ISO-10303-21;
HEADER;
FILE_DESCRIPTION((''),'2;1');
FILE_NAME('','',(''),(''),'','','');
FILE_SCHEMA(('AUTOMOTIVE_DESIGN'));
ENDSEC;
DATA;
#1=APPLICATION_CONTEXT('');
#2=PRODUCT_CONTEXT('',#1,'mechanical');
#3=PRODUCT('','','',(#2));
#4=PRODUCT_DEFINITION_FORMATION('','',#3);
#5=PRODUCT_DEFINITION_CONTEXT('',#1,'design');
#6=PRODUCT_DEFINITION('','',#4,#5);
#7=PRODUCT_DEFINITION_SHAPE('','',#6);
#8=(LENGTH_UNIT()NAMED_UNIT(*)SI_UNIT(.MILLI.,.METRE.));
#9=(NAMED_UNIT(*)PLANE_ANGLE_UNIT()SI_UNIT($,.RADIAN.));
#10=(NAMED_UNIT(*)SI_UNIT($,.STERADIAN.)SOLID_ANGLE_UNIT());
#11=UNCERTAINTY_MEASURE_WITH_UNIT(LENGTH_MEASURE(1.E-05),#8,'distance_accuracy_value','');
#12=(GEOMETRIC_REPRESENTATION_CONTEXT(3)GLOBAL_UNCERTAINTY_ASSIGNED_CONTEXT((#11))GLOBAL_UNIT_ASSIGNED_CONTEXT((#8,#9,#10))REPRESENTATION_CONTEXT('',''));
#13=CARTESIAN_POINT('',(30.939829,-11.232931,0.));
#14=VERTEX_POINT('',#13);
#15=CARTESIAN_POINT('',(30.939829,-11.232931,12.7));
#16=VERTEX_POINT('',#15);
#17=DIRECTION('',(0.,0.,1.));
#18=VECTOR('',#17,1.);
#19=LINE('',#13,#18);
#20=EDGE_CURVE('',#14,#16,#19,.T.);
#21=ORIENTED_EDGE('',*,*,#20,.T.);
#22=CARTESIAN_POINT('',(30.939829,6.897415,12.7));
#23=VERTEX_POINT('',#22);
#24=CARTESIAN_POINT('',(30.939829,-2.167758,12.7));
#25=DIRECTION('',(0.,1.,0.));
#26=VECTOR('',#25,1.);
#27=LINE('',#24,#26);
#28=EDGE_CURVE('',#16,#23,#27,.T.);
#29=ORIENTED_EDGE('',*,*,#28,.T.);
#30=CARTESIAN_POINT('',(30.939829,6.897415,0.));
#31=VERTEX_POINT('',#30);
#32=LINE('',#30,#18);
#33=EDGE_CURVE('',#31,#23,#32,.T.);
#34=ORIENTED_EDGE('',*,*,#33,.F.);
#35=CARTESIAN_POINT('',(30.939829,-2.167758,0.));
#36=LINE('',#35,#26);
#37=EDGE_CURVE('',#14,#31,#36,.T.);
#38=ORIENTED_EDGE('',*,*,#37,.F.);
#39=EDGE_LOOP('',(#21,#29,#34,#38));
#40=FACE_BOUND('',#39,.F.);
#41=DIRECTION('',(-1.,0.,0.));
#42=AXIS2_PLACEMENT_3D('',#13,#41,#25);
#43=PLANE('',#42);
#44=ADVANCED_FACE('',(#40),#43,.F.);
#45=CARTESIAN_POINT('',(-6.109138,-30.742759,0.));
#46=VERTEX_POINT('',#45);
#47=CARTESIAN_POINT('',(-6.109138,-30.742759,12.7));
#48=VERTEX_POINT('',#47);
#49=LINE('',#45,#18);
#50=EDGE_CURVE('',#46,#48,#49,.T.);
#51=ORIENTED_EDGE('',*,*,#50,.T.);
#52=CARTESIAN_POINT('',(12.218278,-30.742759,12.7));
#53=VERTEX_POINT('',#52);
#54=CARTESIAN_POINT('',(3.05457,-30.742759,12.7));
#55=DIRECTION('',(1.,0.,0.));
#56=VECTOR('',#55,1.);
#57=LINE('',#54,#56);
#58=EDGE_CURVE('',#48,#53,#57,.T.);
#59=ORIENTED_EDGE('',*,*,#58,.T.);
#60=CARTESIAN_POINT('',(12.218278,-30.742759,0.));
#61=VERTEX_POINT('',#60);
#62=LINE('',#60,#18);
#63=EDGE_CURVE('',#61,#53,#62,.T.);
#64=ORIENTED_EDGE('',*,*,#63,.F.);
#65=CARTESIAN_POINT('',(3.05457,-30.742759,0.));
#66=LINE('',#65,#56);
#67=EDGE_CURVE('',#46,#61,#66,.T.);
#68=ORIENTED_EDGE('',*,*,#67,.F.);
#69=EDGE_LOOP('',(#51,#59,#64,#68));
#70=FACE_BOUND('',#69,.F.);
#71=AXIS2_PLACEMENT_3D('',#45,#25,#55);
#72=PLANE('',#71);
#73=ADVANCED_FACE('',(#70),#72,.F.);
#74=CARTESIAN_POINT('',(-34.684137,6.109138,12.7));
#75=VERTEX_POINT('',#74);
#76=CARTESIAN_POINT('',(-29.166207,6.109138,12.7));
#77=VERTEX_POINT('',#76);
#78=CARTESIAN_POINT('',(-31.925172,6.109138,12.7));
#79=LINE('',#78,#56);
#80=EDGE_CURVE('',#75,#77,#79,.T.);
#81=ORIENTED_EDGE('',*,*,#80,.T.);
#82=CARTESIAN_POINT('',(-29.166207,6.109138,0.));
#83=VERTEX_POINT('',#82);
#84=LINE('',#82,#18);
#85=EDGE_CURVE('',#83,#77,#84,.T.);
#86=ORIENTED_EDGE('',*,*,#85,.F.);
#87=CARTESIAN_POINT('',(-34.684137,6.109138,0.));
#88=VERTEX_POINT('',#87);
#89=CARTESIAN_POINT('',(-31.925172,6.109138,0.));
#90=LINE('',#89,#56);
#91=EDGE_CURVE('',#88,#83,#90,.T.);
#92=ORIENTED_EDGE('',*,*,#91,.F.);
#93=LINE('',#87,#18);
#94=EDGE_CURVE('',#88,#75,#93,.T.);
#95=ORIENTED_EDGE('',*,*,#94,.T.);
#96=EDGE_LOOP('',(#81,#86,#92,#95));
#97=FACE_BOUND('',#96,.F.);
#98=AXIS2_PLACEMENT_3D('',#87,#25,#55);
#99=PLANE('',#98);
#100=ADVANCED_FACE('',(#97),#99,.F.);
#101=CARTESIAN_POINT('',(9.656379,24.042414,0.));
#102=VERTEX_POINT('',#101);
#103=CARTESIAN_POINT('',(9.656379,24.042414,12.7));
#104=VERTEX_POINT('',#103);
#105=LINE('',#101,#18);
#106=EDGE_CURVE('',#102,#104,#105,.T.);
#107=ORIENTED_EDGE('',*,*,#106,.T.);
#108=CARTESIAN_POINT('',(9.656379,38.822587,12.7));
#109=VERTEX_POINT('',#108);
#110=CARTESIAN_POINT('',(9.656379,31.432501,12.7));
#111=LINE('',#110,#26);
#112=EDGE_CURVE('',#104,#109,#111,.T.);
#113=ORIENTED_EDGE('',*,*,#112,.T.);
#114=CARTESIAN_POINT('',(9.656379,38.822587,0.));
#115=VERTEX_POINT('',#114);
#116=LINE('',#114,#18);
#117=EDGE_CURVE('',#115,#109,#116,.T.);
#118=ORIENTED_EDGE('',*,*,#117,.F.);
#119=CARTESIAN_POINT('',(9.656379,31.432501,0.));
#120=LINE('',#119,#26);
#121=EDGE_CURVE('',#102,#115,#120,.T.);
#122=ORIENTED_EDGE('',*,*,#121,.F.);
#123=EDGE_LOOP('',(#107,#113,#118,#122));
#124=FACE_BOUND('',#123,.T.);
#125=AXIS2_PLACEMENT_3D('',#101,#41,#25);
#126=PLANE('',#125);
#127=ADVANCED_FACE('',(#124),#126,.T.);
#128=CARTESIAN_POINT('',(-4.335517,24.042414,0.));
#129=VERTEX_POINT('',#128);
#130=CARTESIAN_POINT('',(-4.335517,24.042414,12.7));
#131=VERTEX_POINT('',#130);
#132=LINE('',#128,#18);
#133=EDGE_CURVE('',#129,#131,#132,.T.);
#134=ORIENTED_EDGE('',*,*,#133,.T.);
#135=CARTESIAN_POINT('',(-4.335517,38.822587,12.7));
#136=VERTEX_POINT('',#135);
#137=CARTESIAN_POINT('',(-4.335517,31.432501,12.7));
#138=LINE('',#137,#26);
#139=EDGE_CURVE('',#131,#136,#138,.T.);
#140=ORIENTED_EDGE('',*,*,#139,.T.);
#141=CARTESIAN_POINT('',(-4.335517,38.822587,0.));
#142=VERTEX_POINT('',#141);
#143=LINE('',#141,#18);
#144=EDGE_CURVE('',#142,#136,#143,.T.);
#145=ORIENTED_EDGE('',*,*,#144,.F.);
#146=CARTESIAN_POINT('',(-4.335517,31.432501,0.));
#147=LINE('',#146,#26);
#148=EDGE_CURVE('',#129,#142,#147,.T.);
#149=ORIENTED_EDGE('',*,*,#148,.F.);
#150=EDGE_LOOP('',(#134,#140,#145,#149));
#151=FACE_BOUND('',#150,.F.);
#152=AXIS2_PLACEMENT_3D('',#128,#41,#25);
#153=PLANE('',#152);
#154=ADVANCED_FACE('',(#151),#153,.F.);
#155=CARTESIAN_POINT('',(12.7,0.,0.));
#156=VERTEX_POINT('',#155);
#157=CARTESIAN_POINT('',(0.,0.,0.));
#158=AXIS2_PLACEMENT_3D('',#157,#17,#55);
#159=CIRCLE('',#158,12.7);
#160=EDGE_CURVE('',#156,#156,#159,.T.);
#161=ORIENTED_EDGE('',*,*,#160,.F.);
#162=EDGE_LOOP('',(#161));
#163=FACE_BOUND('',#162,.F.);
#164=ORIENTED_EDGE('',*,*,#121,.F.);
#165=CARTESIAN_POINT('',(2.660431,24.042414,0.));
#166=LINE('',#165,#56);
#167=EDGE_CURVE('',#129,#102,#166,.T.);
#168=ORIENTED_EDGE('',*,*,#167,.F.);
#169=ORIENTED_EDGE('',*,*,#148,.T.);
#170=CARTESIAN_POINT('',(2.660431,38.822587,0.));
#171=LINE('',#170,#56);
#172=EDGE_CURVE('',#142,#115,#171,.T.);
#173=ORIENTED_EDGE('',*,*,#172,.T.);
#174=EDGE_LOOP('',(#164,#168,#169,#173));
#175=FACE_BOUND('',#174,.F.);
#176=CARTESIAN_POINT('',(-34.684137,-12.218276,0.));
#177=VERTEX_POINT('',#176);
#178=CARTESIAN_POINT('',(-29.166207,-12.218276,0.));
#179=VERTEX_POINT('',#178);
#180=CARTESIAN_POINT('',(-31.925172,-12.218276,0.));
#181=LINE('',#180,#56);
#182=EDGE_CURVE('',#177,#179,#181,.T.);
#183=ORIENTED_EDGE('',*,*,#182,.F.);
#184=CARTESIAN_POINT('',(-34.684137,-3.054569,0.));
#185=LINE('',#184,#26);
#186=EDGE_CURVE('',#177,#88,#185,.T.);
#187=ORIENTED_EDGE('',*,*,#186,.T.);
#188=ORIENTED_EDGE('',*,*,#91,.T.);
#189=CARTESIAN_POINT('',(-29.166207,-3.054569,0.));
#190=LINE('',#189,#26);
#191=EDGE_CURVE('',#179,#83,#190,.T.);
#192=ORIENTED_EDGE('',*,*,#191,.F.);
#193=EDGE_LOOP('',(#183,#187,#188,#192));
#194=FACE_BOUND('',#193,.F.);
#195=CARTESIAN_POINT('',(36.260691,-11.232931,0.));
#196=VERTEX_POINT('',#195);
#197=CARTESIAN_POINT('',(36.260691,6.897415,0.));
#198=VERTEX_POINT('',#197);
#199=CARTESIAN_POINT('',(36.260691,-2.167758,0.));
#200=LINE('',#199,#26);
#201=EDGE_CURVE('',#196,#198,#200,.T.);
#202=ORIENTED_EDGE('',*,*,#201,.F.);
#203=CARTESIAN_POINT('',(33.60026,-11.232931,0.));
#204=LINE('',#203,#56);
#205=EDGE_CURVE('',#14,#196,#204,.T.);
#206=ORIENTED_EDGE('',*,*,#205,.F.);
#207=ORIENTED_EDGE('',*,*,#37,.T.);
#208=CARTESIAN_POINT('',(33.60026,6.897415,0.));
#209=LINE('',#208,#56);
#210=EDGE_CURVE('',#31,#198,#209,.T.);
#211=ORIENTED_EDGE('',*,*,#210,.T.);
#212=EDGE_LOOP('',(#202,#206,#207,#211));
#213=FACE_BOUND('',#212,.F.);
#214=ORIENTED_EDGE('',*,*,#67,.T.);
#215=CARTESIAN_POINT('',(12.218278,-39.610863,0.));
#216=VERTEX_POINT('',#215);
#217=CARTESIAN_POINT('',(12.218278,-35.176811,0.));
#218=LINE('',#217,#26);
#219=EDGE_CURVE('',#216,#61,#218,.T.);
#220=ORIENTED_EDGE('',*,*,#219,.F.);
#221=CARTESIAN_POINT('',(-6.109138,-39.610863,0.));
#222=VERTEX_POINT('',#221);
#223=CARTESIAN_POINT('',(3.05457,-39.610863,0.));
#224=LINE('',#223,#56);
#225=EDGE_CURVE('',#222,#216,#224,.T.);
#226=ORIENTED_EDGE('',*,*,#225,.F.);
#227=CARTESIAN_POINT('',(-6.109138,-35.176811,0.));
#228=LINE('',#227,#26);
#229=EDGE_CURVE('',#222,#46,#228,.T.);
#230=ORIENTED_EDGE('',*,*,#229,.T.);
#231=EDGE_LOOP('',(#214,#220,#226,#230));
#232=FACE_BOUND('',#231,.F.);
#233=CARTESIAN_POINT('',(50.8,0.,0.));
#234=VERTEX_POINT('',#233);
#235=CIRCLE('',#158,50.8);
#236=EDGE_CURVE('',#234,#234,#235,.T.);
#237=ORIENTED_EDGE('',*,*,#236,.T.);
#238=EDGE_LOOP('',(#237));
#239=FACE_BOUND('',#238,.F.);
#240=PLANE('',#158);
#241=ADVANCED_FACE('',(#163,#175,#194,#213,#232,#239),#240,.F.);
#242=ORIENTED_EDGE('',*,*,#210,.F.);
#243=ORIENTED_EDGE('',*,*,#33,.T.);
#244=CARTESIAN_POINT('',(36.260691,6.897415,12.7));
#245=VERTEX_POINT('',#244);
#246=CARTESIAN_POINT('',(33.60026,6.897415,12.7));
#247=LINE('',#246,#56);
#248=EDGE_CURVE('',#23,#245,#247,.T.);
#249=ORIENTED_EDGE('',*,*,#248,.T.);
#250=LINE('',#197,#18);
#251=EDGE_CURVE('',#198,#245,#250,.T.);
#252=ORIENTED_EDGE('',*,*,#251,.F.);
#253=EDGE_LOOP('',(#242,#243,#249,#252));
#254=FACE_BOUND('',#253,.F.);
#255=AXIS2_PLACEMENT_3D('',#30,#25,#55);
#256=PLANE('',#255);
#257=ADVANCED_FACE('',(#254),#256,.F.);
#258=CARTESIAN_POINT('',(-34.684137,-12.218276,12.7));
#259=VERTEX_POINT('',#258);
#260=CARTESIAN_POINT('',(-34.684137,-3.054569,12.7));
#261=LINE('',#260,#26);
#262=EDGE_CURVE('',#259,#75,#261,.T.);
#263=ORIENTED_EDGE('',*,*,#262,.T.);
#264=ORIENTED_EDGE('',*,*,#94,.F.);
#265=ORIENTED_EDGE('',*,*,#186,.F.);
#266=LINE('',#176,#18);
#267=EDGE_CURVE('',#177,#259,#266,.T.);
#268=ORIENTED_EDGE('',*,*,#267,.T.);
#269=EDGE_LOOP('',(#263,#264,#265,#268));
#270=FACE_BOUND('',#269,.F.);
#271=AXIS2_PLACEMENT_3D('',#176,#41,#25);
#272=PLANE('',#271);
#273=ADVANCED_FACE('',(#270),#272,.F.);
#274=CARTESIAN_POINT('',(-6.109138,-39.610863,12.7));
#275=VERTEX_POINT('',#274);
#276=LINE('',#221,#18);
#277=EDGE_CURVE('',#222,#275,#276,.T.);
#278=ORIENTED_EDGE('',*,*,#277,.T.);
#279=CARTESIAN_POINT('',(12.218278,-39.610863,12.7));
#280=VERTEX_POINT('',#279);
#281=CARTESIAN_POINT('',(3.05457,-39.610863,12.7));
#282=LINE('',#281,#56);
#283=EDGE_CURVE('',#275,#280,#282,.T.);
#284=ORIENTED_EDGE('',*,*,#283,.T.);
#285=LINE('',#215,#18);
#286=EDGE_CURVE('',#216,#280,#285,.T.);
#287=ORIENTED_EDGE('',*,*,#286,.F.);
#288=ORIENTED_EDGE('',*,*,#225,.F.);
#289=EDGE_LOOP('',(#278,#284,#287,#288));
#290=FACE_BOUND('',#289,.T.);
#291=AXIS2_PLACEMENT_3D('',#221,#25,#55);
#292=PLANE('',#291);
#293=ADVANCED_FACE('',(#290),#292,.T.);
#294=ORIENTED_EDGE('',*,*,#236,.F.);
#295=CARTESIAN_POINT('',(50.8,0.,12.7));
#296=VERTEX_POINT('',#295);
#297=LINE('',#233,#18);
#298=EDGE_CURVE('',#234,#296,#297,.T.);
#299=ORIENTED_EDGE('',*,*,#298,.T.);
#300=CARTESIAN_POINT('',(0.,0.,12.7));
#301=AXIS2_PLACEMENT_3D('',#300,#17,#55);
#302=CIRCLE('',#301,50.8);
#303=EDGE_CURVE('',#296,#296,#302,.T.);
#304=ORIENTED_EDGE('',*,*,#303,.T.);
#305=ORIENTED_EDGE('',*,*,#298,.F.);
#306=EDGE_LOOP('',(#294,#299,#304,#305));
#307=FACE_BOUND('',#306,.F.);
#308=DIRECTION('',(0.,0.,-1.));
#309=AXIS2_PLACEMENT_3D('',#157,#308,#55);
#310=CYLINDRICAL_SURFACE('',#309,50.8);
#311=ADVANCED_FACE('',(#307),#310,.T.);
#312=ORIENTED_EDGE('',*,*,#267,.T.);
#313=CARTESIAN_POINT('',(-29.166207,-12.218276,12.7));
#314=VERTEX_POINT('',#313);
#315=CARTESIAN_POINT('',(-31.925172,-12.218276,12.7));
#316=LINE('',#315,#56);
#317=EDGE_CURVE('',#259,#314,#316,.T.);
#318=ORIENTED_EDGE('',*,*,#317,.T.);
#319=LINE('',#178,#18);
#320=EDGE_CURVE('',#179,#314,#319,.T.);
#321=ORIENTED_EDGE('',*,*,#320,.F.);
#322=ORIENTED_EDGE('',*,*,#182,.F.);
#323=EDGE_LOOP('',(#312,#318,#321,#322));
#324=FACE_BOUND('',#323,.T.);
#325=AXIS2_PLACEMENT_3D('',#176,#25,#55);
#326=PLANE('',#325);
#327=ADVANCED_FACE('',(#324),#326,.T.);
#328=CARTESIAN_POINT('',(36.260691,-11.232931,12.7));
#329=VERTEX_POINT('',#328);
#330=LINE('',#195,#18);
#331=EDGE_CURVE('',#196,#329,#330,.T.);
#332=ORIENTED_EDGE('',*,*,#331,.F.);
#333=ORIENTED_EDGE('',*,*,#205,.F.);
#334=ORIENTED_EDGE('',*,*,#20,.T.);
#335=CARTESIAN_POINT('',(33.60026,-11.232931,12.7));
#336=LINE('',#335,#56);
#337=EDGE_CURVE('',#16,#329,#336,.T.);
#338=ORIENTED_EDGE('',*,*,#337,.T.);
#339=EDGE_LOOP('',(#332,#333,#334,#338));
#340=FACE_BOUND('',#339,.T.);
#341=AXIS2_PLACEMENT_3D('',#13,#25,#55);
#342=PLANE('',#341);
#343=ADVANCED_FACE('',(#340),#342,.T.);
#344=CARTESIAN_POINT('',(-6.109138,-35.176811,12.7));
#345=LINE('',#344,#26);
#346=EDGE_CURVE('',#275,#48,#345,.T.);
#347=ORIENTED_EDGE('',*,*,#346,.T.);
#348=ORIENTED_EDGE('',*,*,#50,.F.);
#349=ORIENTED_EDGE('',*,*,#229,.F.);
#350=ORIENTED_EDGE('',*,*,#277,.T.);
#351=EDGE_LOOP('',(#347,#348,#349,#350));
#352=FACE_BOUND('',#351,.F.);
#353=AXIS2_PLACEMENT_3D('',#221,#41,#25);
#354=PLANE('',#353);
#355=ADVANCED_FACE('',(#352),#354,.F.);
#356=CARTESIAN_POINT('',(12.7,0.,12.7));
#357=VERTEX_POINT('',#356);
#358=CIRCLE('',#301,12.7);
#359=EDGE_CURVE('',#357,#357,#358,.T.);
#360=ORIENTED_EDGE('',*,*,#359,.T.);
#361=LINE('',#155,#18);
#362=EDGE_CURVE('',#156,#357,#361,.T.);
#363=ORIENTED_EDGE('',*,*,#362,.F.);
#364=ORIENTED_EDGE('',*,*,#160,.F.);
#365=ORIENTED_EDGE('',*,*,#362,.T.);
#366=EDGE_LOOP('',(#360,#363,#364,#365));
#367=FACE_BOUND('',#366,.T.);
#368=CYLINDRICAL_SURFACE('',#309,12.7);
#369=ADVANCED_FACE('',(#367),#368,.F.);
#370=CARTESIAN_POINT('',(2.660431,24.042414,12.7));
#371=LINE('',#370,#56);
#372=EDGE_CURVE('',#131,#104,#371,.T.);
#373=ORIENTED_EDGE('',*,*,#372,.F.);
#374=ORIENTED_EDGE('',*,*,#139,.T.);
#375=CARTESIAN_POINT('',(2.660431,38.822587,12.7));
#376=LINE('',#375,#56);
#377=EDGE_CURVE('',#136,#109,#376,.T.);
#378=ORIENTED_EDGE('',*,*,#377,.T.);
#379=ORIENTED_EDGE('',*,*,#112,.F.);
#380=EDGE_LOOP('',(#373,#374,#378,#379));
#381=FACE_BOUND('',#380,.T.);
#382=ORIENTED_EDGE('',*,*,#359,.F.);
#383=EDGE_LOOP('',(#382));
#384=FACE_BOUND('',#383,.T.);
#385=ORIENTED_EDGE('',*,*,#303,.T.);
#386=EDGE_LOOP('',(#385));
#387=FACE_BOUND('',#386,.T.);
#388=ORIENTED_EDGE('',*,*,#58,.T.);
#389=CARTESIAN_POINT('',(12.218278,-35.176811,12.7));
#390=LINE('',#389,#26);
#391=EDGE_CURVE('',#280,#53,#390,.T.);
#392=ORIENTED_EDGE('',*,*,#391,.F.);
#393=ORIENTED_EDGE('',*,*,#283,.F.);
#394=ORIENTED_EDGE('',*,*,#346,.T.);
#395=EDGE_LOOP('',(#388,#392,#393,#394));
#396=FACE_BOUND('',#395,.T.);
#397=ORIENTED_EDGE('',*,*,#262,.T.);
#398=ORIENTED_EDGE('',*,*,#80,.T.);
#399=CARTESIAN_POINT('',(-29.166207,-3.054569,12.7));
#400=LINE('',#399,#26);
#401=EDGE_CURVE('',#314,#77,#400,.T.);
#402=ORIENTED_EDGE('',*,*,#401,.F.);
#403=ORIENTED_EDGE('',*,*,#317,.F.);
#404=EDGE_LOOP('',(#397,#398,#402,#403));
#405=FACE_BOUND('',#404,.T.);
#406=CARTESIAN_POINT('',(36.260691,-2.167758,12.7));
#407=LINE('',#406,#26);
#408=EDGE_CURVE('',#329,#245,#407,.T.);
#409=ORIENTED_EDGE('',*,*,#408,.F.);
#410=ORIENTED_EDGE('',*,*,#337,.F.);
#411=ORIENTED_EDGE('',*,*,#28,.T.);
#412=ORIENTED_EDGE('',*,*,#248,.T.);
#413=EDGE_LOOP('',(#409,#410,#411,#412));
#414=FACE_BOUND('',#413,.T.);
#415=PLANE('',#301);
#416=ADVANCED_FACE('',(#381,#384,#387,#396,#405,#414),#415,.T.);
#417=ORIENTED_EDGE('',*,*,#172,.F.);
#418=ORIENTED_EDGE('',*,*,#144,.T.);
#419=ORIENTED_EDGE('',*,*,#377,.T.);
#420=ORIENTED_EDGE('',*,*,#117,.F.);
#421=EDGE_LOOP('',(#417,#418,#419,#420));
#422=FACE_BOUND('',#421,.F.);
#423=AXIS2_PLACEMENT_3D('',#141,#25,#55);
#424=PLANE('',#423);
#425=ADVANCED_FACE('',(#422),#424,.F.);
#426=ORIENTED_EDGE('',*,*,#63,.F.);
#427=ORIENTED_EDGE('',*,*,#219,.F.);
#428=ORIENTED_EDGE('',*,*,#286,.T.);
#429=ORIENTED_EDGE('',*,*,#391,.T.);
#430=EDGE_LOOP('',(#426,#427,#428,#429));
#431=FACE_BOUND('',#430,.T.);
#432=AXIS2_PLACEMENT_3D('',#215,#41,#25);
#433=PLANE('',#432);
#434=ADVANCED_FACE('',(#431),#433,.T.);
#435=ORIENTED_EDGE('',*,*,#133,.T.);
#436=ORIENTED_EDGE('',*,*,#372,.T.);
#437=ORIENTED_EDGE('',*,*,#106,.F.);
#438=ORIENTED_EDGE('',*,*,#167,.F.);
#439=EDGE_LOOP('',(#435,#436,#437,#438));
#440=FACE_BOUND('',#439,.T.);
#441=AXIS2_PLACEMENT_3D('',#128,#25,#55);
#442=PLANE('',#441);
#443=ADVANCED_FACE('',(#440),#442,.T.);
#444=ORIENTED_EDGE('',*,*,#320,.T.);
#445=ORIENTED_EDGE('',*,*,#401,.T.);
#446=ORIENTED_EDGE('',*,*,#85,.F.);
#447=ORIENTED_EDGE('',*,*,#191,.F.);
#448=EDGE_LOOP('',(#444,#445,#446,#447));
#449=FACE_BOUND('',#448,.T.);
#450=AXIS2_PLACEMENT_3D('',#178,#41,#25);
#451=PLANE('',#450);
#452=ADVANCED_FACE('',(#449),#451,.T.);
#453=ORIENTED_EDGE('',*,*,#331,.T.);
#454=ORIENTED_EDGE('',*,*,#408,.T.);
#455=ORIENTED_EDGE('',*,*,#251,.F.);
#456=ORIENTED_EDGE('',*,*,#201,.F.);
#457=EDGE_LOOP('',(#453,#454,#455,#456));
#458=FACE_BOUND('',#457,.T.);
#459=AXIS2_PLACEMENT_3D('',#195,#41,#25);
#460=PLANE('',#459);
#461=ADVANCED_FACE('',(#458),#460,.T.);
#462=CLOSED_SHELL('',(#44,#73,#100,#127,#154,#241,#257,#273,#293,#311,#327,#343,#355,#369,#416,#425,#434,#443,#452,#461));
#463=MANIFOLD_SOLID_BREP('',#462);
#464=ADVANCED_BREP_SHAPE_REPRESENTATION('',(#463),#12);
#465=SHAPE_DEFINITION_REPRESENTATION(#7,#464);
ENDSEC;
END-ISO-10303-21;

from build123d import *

# Parameters (mm, degrees)
F0_R     = 50.8
F0_W     = 5.51793
F0_H     = 18.327414
F0_R_2   = 12.7
F0_W_2   = 18.327416
F0_H_2   = 8.868104
F0_W_3   = 5.320862
F0_H_3   = 18.130345
F0_W_4   = 13.991896
F0_H_4   = 14.780173
F1_DEPTH = 12.7


with BuildPart() as f1:
    # F0 (on Top) → F1 (new body)
    with BuildSketch(Plane.XY):
        Circle(F0_R)
        with Locations((-31.925172, -3.054569)):
            Rectangle(F0_W, F0_H, mode=Mode.SUBTRACT)
        Circle(F0_R_2, mode=Mode.SUBTRACT)
        with Locations((3.05457, -35.176811)):
            Rectangle(F0_W_2, F0_H_2, mode=Mode.SUBTRACT)
        with Locations((33.60026, -2.167758)):
            Rectangle(F0_W_3, F0_H_3, mode=Mode.SUBTRACT)
        with Locations((2.660431, 31.432501)):
            Rectangle(F0_W_4, F0_H_4, mode=Mode.SUBTRACT)
    extrude(amount=F1_DEPTH)


solid = f1.part
